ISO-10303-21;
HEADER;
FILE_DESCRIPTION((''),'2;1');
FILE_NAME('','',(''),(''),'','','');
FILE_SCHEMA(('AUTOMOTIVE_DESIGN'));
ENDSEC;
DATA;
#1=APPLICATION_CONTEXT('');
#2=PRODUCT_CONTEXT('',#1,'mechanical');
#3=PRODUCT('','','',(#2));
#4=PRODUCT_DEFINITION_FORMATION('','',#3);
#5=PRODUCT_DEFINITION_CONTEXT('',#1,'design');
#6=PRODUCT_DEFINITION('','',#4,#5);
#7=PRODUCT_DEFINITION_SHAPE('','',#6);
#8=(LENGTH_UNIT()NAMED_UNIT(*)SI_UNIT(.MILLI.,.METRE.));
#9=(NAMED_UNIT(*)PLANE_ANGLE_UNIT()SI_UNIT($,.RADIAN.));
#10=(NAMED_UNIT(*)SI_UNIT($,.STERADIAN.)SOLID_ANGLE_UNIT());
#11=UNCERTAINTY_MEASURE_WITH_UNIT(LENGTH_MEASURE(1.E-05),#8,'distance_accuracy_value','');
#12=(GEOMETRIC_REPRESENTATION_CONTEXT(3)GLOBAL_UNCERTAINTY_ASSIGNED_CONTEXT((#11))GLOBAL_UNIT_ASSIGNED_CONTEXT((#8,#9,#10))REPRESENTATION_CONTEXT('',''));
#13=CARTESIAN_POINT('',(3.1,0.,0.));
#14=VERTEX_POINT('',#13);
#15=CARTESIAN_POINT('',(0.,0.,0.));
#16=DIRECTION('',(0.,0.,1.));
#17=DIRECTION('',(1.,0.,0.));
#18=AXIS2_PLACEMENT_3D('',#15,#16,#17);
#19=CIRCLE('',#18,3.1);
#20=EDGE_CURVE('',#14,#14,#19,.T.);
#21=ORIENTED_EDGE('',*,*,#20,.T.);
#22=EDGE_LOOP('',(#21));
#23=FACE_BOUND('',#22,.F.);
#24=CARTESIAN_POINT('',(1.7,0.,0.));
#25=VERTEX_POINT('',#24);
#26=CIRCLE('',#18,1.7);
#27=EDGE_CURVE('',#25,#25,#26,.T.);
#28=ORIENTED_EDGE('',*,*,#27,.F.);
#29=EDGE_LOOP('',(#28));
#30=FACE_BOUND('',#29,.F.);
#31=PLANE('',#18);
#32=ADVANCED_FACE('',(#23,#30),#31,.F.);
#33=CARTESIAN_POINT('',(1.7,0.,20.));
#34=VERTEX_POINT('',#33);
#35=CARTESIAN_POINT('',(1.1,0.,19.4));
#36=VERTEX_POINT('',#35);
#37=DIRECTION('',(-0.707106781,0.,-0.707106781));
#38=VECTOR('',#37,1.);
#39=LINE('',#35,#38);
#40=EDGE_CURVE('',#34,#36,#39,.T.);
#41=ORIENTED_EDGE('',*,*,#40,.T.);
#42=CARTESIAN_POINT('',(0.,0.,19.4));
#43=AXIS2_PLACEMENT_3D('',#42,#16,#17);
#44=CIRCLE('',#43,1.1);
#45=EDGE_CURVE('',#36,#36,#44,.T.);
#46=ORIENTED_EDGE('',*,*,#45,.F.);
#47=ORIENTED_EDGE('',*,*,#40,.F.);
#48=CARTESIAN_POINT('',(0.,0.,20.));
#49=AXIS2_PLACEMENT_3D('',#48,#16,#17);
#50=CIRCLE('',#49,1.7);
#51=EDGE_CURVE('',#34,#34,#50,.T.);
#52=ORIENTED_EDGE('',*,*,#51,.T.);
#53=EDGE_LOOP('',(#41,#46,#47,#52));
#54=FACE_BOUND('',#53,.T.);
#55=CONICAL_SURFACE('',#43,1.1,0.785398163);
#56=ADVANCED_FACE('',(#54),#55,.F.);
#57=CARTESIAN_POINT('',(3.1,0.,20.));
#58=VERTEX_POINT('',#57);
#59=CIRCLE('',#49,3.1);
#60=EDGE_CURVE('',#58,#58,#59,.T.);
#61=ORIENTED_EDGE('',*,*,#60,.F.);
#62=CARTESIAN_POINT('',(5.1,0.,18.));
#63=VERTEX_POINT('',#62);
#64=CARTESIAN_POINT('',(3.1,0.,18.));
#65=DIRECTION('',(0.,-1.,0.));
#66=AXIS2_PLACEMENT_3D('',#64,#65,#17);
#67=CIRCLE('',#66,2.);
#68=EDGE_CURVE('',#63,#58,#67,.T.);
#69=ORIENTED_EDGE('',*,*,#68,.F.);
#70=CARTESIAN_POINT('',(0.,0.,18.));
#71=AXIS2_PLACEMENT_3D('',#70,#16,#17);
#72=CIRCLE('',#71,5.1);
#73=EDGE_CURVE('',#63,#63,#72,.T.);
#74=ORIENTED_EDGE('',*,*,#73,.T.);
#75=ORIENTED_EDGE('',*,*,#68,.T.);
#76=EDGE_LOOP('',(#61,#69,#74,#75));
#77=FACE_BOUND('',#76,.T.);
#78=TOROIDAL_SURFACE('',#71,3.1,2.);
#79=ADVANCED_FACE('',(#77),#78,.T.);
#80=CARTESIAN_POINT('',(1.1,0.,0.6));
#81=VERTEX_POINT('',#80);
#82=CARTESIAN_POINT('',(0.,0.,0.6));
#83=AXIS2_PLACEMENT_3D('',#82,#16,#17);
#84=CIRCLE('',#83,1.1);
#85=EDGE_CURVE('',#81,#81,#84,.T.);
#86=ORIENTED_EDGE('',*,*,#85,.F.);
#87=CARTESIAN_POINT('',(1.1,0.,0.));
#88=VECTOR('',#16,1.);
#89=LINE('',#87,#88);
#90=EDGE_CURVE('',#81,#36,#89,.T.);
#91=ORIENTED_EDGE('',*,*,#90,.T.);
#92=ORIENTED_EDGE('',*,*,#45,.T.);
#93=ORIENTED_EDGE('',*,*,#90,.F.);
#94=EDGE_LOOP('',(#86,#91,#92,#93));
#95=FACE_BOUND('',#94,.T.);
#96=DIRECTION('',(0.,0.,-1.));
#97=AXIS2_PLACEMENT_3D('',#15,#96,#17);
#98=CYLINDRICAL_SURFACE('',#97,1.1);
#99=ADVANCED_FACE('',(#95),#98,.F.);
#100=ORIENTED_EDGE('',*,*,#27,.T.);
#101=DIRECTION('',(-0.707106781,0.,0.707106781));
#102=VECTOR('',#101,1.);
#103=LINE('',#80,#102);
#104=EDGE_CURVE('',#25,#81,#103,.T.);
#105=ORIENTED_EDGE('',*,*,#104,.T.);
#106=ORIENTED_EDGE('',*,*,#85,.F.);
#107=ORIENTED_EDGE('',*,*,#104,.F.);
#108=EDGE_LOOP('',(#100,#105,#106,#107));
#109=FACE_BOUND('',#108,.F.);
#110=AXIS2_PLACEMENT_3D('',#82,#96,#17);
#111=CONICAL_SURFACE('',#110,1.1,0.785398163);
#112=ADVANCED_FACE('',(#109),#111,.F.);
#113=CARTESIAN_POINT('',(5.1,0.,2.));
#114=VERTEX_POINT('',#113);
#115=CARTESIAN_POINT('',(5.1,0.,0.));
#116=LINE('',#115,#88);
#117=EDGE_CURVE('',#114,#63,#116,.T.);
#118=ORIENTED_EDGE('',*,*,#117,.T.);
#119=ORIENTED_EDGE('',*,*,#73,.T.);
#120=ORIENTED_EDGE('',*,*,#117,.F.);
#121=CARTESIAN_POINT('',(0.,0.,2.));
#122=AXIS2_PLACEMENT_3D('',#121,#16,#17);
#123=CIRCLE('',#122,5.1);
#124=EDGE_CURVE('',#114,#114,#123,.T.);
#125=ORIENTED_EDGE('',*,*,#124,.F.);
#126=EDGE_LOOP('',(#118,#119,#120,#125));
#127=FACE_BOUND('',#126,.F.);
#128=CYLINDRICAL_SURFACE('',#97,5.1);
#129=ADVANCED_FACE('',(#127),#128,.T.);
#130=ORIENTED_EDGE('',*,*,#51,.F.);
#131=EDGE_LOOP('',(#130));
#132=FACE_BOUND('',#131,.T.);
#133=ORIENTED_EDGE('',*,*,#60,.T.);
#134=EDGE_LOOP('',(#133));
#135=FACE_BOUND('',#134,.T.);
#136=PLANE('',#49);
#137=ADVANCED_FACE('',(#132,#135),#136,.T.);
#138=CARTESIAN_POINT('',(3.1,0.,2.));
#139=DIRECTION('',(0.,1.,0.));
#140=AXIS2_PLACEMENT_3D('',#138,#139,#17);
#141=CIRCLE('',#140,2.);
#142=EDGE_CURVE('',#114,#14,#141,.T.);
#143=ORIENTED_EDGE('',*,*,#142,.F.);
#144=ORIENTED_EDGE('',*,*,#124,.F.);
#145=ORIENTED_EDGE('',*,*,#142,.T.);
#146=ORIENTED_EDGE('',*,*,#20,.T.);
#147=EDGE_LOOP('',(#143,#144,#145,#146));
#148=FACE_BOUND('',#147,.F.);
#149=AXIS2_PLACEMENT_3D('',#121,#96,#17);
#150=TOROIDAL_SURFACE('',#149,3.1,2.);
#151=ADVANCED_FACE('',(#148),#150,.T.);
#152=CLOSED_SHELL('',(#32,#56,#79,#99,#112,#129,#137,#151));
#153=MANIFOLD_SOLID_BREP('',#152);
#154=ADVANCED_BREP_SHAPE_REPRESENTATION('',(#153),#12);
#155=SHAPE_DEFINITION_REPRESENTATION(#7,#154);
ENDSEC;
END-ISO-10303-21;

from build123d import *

# Parameters (mm, degrees)
F0_R     = 5.1
F0_R_2   = 1.1
F1_DEPTH = 20
F2_R     = 2
F3_SIZE  = 0.6


with BuildPart() as f1:
    # F0 (on Top) → F1 (new body)
    with BuildSketch(Plane.XY):
        Circle(F0_R)
        Circle(F0_R_2, mode=Mode.SUBTRACT)
    extrude(amount=F1_DEPTH)

    # F2
    f2_edges = [f1.edges().sort_by_distance(p)[0] for p in [
        (-5.1, 0, 20),
        (-5.1, 0, 0),
    ]]
    fillet(f2_edges, radius=F2_R)

    # F3
    f3_edges = [f1.edges().sort_by_distance(p)[0] for p in [
        (-1.1, 0, 20),
        (-1.1, 0, 0),
    ]]
    chamfer(f3_edges, length=F3_SIZE)


solid = f1.part
